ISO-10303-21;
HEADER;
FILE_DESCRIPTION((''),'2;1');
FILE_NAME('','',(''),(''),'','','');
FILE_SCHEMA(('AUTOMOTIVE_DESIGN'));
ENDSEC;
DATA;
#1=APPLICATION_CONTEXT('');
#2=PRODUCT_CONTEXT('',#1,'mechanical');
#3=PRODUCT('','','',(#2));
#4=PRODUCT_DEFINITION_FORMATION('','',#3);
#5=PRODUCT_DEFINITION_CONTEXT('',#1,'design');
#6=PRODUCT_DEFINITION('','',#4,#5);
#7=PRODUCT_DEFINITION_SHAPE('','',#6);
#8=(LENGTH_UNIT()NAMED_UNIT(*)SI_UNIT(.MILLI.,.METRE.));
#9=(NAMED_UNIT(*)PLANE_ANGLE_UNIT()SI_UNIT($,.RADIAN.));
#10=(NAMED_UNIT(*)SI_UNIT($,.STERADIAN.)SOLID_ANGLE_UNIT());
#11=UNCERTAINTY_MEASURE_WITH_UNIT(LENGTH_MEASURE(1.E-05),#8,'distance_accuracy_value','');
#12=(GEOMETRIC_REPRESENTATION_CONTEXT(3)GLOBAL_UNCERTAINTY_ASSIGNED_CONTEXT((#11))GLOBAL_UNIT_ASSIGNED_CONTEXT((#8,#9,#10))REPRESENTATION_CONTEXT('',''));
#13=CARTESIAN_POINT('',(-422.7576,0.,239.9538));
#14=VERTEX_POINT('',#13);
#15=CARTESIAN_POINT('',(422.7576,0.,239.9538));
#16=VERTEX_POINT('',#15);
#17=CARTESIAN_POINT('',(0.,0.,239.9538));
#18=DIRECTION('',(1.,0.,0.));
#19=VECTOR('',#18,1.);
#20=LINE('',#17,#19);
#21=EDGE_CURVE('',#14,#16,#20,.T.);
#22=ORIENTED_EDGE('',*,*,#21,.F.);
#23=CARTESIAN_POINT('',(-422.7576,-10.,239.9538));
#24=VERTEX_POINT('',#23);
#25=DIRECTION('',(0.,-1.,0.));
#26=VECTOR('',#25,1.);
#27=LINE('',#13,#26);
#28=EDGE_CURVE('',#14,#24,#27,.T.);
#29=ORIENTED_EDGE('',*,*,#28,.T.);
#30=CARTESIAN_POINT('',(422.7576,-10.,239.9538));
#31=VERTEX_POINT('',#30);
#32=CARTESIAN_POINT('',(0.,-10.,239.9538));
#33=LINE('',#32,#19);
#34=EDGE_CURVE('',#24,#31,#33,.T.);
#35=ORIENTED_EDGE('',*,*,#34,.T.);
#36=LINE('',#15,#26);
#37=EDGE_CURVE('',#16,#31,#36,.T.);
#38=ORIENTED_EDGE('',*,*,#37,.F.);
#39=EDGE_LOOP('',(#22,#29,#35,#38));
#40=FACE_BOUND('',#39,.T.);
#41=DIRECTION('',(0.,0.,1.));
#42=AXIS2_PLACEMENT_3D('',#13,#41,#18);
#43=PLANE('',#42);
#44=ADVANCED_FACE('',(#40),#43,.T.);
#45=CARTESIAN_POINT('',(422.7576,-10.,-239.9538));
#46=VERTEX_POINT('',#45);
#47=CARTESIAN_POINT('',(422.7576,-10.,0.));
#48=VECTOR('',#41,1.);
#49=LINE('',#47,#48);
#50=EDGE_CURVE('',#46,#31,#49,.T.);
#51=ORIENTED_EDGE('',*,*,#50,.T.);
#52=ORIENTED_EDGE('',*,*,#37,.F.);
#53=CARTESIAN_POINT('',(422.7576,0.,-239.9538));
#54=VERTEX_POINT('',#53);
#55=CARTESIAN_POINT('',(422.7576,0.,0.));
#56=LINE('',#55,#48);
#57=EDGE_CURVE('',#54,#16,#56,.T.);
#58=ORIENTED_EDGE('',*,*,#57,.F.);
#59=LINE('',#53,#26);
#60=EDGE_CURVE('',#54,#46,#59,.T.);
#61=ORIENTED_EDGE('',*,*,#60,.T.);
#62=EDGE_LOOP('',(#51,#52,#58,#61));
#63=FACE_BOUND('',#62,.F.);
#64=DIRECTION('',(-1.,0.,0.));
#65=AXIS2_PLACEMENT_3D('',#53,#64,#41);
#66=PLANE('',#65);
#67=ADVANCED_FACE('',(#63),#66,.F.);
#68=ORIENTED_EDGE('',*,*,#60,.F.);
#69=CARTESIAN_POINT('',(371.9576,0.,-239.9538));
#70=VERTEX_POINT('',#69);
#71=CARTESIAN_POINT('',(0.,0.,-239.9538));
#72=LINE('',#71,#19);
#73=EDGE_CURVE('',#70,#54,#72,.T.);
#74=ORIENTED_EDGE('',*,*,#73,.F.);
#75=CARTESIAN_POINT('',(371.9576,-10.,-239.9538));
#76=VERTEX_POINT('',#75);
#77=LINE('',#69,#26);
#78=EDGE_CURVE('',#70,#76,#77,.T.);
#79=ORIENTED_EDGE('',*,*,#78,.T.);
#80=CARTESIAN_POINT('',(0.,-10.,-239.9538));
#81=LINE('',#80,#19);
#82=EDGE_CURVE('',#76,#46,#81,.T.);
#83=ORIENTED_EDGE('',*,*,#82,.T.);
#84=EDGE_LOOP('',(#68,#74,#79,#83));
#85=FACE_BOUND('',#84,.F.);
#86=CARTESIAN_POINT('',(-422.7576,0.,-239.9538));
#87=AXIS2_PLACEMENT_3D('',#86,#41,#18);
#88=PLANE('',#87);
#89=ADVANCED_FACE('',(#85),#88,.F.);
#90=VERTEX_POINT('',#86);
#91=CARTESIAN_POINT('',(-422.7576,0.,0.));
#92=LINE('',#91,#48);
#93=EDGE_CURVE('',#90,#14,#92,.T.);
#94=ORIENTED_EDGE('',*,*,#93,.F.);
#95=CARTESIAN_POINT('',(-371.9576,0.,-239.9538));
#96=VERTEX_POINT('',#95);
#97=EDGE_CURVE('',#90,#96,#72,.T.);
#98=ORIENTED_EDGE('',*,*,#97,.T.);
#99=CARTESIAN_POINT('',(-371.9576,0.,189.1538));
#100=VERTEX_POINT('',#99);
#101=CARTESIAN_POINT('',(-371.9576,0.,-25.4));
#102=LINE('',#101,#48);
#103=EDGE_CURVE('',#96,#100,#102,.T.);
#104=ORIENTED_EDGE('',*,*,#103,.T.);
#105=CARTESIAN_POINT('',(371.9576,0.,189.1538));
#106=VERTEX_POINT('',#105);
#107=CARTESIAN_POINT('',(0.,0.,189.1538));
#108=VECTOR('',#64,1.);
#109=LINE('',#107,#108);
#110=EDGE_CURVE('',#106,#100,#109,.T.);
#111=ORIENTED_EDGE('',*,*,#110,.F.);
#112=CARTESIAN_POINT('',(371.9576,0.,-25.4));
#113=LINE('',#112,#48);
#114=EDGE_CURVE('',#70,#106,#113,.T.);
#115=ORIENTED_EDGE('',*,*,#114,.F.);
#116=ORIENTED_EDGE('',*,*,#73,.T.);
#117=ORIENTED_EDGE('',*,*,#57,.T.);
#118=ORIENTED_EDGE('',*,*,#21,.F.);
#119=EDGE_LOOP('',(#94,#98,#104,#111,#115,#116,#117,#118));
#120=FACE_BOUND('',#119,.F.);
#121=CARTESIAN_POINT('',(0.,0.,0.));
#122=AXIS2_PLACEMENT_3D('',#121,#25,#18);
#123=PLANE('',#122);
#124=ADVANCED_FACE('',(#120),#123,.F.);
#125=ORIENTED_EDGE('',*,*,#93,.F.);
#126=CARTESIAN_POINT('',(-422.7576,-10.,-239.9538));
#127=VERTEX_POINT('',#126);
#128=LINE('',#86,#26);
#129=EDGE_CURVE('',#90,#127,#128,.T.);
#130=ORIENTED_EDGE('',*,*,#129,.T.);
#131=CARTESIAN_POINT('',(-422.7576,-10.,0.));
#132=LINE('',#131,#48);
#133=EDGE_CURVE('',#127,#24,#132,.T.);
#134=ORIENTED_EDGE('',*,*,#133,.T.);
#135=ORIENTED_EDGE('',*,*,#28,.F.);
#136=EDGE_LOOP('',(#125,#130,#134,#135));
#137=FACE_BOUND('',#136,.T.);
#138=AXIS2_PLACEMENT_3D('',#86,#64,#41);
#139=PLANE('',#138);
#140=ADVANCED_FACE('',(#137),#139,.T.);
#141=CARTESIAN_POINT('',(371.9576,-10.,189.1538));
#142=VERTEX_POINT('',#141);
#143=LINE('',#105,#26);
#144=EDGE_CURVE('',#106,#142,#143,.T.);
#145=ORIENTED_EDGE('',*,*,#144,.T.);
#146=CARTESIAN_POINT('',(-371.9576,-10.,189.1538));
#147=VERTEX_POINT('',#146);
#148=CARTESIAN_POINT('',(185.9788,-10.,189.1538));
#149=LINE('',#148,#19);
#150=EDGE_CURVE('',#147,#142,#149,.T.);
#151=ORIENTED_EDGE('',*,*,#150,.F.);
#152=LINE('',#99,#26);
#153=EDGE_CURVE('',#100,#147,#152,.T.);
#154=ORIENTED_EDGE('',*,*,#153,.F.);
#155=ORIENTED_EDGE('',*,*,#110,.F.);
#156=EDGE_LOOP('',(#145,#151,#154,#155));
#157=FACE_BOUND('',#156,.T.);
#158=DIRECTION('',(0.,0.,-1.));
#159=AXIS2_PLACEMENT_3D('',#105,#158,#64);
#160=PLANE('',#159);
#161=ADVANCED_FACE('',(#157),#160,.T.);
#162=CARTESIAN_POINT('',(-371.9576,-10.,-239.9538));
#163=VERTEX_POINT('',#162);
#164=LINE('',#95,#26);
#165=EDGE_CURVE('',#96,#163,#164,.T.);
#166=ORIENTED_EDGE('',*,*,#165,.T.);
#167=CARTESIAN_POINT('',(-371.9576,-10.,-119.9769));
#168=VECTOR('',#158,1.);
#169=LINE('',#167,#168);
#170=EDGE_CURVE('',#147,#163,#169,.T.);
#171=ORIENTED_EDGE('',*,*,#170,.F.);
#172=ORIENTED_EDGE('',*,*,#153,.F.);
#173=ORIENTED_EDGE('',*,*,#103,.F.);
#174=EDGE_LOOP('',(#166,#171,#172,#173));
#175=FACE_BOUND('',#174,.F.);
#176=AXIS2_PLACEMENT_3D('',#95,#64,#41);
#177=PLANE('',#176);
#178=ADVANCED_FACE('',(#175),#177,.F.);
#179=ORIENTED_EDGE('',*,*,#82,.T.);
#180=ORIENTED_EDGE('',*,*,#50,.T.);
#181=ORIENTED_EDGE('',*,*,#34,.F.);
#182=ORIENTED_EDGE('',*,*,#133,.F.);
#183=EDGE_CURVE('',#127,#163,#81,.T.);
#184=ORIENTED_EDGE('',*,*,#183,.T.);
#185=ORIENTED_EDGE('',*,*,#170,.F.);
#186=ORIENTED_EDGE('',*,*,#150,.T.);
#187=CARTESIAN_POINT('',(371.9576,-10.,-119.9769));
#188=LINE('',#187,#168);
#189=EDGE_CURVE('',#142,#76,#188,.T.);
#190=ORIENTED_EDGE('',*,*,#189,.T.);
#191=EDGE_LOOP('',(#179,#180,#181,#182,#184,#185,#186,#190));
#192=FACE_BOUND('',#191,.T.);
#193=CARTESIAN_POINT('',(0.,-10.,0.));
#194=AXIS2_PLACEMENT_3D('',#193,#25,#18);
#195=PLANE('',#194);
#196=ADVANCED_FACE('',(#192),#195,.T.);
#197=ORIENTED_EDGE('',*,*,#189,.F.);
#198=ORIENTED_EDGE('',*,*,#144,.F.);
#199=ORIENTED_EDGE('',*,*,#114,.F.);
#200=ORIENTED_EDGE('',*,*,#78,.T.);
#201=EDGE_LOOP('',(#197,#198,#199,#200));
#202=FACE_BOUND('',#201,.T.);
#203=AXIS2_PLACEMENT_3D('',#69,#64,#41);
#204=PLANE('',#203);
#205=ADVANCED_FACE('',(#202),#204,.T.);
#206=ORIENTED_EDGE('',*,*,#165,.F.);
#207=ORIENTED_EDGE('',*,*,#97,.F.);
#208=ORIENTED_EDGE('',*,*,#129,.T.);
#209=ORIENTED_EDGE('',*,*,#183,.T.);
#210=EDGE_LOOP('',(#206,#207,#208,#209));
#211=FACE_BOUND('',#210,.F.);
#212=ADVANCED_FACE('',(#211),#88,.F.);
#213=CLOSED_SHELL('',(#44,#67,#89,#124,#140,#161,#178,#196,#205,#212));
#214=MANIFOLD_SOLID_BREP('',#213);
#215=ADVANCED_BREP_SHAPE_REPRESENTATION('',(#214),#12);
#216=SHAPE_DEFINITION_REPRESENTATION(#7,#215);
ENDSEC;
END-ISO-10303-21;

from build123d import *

# Parameters (mm, degrees)
F0_W     = 845.5152
F0_H     = 479.9076
F1_DEPTH = 10
F2_W     = 743.9152
F2_H     = 429.1076
F3_DEPTH = 10.001


with BuildPart() as f1:
    # F0 (on Front) → F1 (new body)
    with BuildSketch(Plane.XZ):
        Rectangle(F0_W, F0_H)
    extrude(amount=F1_DEPTH)

    # F2 (on face) → F3 (cut, through all)
    with BuildSketch(Plane(origin=(0, 0, 0), x_dir=(-1, 0, 0), z_dir=(0, 1, 0))):
        with Locations((0, -25.4)):
            Rectangle(F2_W, F2_H)
    extrude(amount=-F3_DEPTH, mode=Mode.SUBTRACT)


solid = f1.part
